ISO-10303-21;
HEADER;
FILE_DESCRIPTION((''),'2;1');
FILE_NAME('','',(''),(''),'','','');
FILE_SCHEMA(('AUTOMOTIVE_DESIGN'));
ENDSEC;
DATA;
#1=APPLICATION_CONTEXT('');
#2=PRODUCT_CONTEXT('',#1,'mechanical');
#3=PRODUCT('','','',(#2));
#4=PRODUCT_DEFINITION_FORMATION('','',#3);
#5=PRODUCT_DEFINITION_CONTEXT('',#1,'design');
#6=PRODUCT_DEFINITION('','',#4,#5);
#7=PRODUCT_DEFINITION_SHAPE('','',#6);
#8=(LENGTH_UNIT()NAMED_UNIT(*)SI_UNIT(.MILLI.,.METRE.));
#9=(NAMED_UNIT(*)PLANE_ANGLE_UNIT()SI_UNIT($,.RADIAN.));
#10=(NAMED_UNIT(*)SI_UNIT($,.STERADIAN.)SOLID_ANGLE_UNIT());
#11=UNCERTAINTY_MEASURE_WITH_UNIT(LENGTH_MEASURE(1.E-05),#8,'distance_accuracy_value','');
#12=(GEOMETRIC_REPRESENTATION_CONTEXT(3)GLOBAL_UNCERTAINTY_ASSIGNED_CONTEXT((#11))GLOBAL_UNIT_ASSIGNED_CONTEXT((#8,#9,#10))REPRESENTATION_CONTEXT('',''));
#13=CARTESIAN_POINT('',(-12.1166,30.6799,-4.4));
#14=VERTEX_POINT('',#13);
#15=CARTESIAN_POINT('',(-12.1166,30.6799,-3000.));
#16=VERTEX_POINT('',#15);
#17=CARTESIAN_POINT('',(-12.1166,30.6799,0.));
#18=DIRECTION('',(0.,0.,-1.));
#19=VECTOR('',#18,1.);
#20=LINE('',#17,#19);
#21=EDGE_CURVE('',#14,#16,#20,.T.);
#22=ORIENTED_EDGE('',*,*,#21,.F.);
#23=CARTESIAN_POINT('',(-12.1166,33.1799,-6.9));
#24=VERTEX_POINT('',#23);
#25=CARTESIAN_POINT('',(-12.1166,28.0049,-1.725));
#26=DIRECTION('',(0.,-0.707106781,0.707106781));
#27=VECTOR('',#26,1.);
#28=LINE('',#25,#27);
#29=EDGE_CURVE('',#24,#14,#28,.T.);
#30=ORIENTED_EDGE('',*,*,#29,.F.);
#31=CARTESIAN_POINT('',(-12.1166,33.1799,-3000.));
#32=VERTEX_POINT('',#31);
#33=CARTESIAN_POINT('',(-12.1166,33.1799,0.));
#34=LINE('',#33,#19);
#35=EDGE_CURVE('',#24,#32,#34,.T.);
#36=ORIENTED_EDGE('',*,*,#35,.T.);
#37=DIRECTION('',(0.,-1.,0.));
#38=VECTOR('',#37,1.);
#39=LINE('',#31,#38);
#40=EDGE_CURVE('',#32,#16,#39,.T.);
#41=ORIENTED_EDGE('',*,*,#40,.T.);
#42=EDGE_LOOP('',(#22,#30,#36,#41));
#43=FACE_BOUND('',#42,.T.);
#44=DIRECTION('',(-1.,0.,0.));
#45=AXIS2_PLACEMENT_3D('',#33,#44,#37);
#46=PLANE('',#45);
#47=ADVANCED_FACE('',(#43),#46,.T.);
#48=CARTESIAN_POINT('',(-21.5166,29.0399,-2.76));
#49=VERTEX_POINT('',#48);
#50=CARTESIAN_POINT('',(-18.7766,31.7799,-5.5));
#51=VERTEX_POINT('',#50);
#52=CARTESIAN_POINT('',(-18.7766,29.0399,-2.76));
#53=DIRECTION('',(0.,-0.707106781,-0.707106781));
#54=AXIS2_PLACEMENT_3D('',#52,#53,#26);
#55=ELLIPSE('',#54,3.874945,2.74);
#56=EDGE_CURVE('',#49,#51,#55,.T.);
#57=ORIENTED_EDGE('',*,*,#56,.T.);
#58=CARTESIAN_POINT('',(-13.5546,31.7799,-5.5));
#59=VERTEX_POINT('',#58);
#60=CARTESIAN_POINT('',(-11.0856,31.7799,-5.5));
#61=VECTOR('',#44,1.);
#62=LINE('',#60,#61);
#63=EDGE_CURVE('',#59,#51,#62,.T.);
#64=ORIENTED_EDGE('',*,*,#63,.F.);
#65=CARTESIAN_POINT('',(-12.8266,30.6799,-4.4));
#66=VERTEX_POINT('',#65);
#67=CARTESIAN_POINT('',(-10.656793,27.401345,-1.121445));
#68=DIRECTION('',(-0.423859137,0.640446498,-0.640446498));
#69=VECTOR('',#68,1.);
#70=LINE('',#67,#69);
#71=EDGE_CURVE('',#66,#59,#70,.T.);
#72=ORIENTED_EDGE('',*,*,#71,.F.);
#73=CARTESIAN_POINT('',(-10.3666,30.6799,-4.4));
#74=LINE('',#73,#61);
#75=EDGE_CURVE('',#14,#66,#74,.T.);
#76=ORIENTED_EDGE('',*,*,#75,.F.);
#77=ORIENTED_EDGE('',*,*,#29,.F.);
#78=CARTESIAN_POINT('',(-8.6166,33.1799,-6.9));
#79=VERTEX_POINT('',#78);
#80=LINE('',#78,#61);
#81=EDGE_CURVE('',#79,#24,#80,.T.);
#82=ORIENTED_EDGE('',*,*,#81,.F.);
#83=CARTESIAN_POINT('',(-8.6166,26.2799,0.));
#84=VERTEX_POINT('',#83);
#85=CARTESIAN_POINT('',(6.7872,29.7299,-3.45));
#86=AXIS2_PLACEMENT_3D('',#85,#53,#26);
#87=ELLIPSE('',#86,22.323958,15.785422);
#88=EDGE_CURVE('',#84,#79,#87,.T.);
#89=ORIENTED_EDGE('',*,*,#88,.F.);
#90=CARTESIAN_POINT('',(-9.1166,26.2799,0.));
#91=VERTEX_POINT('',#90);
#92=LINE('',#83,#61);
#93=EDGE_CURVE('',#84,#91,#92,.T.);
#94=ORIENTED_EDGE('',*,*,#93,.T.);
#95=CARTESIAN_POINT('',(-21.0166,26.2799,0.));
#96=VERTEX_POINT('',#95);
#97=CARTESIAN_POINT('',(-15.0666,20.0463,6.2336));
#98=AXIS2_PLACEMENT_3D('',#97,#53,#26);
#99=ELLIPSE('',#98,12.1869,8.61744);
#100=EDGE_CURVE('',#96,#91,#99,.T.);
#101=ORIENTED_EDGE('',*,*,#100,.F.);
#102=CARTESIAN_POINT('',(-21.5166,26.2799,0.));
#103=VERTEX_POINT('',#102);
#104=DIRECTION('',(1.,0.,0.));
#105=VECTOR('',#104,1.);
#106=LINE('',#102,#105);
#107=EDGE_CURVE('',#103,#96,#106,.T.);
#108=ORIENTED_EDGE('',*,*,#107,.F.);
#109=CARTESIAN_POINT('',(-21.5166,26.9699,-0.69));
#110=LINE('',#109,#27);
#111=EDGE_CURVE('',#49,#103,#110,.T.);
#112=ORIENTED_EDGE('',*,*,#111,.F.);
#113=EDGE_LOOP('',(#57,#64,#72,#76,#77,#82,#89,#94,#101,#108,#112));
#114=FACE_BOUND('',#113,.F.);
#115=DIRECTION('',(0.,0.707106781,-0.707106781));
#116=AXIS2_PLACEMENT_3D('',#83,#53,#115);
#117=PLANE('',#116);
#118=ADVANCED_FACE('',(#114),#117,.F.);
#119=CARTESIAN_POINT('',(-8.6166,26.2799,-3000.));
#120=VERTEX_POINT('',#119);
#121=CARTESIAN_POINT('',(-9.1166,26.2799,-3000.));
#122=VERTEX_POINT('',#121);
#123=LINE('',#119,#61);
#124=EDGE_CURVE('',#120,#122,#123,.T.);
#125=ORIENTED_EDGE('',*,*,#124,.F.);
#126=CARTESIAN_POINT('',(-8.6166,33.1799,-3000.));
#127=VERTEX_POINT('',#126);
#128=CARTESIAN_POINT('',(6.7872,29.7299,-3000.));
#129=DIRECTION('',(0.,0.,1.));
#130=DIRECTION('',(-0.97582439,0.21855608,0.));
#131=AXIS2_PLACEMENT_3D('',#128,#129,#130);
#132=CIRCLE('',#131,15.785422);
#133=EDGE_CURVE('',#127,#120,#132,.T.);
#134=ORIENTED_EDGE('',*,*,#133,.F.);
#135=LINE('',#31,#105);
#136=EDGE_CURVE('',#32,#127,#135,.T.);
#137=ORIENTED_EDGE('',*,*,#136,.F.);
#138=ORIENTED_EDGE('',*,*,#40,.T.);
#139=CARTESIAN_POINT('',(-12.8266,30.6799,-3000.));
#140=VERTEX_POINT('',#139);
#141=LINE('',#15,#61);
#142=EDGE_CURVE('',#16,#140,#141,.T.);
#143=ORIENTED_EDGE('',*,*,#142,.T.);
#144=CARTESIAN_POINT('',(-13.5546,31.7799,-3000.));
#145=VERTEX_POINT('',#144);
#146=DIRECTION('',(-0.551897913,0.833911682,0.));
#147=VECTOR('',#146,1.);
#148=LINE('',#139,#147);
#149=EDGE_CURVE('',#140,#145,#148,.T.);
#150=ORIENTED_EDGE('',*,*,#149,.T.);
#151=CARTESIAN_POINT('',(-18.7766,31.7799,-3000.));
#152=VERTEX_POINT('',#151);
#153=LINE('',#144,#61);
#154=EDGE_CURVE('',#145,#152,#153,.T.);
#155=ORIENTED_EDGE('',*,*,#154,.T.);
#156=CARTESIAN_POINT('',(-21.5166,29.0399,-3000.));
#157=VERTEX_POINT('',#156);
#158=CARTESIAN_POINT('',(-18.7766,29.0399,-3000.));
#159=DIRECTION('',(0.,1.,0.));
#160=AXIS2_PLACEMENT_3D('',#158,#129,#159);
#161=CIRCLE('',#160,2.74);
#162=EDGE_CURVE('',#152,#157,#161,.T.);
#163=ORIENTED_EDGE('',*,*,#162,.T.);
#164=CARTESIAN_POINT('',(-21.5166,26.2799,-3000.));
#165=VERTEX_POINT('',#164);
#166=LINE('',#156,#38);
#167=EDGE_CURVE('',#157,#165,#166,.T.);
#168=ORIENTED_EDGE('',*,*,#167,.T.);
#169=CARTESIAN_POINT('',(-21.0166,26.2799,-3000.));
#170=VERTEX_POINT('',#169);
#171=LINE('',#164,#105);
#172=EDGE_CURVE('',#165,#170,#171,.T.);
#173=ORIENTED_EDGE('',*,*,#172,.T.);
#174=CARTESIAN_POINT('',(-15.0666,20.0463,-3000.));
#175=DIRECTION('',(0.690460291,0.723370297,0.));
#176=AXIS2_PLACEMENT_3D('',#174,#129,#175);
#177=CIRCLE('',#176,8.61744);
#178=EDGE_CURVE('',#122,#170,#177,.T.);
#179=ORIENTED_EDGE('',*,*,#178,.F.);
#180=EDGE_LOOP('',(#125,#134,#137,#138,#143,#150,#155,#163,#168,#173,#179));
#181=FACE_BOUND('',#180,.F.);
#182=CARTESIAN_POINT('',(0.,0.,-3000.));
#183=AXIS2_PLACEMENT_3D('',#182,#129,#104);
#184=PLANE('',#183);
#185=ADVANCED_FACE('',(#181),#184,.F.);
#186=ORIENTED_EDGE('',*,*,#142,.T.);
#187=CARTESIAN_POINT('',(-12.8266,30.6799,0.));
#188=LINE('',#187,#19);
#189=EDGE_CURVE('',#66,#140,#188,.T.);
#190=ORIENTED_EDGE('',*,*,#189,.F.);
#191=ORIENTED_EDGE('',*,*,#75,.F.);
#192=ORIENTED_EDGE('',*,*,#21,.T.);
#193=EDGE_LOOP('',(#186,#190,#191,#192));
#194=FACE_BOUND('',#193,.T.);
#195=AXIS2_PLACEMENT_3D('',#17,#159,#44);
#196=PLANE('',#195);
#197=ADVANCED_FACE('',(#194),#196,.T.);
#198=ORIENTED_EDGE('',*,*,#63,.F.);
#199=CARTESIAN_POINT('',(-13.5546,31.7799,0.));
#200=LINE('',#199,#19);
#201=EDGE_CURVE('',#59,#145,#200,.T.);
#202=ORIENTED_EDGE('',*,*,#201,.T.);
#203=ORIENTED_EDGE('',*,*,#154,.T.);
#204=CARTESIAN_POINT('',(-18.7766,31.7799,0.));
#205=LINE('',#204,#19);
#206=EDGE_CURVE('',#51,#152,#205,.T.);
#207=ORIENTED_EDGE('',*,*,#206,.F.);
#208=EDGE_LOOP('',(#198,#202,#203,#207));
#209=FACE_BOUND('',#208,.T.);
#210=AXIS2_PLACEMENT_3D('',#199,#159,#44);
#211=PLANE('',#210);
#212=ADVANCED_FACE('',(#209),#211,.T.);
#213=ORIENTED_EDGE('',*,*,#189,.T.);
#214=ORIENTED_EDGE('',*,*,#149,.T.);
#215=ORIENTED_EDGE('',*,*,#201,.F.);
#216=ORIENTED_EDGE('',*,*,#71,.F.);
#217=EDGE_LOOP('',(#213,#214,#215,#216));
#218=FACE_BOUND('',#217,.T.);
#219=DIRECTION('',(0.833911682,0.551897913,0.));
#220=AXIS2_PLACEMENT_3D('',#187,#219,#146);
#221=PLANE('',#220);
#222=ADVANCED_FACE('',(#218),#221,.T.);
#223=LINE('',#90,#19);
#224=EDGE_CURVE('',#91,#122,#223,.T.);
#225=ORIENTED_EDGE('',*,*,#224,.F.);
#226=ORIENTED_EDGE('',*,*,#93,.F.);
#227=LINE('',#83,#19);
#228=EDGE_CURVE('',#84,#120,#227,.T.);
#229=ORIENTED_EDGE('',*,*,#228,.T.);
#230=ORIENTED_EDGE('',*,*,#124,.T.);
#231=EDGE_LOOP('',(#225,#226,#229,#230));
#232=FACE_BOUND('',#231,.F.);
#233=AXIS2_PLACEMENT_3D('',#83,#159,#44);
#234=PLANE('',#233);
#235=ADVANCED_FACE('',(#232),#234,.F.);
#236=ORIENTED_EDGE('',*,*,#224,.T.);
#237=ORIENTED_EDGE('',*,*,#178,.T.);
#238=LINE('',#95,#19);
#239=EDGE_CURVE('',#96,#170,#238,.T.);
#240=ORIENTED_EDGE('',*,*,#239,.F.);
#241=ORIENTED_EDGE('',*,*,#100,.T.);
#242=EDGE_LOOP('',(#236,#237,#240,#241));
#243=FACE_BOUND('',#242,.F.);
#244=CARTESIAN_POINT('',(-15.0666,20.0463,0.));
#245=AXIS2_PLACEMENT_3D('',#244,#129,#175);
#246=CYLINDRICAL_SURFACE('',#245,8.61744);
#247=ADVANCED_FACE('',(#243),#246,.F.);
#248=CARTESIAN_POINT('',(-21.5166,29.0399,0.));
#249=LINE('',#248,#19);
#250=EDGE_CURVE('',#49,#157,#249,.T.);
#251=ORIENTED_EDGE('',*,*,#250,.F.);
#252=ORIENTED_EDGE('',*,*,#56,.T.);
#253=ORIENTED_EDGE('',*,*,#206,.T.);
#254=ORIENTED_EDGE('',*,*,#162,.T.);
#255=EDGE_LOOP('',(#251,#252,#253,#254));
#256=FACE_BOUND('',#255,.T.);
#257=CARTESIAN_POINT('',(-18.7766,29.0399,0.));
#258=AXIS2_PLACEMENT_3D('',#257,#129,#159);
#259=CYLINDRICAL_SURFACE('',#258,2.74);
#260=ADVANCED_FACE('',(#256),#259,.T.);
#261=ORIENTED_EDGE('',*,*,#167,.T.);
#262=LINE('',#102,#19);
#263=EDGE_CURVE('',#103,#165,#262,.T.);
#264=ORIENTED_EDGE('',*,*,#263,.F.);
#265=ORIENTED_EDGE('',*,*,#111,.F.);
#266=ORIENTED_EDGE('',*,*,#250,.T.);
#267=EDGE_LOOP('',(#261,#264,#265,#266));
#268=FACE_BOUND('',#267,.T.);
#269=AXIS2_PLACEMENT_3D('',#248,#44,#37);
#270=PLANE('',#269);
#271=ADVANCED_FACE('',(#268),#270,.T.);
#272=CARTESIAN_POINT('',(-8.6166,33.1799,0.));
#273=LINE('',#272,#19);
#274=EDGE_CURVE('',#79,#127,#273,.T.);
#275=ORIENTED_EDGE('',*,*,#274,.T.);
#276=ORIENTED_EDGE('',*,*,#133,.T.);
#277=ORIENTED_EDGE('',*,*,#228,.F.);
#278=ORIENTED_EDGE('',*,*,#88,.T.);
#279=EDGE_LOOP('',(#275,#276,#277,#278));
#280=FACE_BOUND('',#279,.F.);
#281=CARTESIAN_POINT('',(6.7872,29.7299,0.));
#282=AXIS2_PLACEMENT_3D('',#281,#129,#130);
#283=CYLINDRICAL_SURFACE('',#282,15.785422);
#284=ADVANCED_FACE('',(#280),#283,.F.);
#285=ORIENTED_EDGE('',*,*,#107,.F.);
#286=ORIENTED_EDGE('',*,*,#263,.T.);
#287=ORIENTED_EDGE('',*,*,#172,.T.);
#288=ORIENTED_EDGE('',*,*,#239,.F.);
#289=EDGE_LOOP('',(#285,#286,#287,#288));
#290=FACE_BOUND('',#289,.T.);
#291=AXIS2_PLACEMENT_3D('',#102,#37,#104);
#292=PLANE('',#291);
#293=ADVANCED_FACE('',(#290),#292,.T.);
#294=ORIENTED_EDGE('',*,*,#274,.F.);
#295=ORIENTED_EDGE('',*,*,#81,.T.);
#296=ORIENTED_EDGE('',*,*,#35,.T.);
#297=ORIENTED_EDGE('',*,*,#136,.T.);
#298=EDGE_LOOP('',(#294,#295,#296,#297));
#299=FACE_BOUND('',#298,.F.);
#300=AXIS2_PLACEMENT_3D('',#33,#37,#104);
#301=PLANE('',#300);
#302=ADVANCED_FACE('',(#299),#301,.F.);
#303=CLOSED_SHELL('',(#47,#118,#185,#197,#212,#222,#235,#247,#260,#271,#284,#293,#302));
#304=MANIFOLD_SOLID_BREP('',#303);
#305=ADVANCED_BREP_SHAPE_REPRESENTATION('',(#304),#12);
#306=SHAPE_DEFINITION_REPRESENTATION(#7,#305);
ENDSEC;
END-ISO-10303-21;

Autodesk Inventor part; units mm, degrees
ref_plane "YZ Plane" through (0, 0, 0) normal (1, 0, 0) x (0, 1, 0)
sketch "Boceto1" plane through (0, 0, 0) normal (0, 0, 1) x (1, 0, 0)
  line L0 (-13.5546, 31.7799) -> (-18.7766, 31.7799)
  line L1 (-12.1166, 33.1799) -> (-12.1166, 30.6799)
  line L2 (-12.1166, 30.6799) -> (-12.8266, 30.6799)
  line L3 (-12.8266, 30.6799) -> (-13.5546, 31.7799)
  arc A0 (-18.7766, 31.7799) -> (-21.5166, 29.0399) centre (-18.7766, 29.0399) ccw
  line L4 (-12.1166, 33.1799) -> (-8.6166, 33.1799)
  line L5 (-21.5166, 29.0399) -> (-21.5166, 26.2799)
  arc A1 (-8.6166, 33.1799) -> (-8.6166, 26.2799) centre (6.7872, 29.7299) ccw
  line L6 (-21.5166, 26.2799) -> (-21.0166, 26.2799)
  line L7 (-8.6166, 26.2799) -> (-9.1166, 26.2799)
  line L8 (-8.6166, 38.7215) -> (-8.6166, 22.0906) construction
  arc A2 (-9.1166, 26.2799) -> (-21.0166, 26.2799) centre (-15.0666, 20.0463) ccw
  dimension "d218" = 2.5
  dimension "d219" = 0.71
  dimension "d221" = 33.5
  dimension "d223" = 2.74
  dimension "d281" = 3.5
  dimension "d288" = 2.76
  dimension "d291" = 0.5
  dimension "d292" = 0.5
  dimension "d301" = 5.2219
extrude "Extrusión1" add sketch "Boceto1" against normal blind 3000
ref_plane "Plano de trabajo1" through (-8.6166, 33.1799, 0) normal (-1, 0, 0) x (0, 0, -1)
ref_plane "Plano de trabajo2" through (0, 0, -1500) normal (0, 0, 1) x (1, 0, 0)
sketch "Boceto2" plane through (-8.6166, 33.1799, 0) normal (-1, 0, 0) x (0, 0, -1)
  line L0 (0, 0) -> (0, 6.9) projected
  line L1 (0, 0) -> (3000, 0) projected
  line L2 (6.9, 0) -> (0, 0)
  line L3 (0, 0) -> (0, 6.9)
  line L4 (0, 6.9) -> (3000, 6.9) projected
  line L5 (0, 6.9) -> (6.9, 0)
  point P0 (0, 0)
  dimension "d300" = 45
extrude "Extrusión2" cut sketch "Boceto2" along normal through all
properties part number "SP40-02 JUNTA INT CRISTAL 1987ç mm" material "Caucho"
